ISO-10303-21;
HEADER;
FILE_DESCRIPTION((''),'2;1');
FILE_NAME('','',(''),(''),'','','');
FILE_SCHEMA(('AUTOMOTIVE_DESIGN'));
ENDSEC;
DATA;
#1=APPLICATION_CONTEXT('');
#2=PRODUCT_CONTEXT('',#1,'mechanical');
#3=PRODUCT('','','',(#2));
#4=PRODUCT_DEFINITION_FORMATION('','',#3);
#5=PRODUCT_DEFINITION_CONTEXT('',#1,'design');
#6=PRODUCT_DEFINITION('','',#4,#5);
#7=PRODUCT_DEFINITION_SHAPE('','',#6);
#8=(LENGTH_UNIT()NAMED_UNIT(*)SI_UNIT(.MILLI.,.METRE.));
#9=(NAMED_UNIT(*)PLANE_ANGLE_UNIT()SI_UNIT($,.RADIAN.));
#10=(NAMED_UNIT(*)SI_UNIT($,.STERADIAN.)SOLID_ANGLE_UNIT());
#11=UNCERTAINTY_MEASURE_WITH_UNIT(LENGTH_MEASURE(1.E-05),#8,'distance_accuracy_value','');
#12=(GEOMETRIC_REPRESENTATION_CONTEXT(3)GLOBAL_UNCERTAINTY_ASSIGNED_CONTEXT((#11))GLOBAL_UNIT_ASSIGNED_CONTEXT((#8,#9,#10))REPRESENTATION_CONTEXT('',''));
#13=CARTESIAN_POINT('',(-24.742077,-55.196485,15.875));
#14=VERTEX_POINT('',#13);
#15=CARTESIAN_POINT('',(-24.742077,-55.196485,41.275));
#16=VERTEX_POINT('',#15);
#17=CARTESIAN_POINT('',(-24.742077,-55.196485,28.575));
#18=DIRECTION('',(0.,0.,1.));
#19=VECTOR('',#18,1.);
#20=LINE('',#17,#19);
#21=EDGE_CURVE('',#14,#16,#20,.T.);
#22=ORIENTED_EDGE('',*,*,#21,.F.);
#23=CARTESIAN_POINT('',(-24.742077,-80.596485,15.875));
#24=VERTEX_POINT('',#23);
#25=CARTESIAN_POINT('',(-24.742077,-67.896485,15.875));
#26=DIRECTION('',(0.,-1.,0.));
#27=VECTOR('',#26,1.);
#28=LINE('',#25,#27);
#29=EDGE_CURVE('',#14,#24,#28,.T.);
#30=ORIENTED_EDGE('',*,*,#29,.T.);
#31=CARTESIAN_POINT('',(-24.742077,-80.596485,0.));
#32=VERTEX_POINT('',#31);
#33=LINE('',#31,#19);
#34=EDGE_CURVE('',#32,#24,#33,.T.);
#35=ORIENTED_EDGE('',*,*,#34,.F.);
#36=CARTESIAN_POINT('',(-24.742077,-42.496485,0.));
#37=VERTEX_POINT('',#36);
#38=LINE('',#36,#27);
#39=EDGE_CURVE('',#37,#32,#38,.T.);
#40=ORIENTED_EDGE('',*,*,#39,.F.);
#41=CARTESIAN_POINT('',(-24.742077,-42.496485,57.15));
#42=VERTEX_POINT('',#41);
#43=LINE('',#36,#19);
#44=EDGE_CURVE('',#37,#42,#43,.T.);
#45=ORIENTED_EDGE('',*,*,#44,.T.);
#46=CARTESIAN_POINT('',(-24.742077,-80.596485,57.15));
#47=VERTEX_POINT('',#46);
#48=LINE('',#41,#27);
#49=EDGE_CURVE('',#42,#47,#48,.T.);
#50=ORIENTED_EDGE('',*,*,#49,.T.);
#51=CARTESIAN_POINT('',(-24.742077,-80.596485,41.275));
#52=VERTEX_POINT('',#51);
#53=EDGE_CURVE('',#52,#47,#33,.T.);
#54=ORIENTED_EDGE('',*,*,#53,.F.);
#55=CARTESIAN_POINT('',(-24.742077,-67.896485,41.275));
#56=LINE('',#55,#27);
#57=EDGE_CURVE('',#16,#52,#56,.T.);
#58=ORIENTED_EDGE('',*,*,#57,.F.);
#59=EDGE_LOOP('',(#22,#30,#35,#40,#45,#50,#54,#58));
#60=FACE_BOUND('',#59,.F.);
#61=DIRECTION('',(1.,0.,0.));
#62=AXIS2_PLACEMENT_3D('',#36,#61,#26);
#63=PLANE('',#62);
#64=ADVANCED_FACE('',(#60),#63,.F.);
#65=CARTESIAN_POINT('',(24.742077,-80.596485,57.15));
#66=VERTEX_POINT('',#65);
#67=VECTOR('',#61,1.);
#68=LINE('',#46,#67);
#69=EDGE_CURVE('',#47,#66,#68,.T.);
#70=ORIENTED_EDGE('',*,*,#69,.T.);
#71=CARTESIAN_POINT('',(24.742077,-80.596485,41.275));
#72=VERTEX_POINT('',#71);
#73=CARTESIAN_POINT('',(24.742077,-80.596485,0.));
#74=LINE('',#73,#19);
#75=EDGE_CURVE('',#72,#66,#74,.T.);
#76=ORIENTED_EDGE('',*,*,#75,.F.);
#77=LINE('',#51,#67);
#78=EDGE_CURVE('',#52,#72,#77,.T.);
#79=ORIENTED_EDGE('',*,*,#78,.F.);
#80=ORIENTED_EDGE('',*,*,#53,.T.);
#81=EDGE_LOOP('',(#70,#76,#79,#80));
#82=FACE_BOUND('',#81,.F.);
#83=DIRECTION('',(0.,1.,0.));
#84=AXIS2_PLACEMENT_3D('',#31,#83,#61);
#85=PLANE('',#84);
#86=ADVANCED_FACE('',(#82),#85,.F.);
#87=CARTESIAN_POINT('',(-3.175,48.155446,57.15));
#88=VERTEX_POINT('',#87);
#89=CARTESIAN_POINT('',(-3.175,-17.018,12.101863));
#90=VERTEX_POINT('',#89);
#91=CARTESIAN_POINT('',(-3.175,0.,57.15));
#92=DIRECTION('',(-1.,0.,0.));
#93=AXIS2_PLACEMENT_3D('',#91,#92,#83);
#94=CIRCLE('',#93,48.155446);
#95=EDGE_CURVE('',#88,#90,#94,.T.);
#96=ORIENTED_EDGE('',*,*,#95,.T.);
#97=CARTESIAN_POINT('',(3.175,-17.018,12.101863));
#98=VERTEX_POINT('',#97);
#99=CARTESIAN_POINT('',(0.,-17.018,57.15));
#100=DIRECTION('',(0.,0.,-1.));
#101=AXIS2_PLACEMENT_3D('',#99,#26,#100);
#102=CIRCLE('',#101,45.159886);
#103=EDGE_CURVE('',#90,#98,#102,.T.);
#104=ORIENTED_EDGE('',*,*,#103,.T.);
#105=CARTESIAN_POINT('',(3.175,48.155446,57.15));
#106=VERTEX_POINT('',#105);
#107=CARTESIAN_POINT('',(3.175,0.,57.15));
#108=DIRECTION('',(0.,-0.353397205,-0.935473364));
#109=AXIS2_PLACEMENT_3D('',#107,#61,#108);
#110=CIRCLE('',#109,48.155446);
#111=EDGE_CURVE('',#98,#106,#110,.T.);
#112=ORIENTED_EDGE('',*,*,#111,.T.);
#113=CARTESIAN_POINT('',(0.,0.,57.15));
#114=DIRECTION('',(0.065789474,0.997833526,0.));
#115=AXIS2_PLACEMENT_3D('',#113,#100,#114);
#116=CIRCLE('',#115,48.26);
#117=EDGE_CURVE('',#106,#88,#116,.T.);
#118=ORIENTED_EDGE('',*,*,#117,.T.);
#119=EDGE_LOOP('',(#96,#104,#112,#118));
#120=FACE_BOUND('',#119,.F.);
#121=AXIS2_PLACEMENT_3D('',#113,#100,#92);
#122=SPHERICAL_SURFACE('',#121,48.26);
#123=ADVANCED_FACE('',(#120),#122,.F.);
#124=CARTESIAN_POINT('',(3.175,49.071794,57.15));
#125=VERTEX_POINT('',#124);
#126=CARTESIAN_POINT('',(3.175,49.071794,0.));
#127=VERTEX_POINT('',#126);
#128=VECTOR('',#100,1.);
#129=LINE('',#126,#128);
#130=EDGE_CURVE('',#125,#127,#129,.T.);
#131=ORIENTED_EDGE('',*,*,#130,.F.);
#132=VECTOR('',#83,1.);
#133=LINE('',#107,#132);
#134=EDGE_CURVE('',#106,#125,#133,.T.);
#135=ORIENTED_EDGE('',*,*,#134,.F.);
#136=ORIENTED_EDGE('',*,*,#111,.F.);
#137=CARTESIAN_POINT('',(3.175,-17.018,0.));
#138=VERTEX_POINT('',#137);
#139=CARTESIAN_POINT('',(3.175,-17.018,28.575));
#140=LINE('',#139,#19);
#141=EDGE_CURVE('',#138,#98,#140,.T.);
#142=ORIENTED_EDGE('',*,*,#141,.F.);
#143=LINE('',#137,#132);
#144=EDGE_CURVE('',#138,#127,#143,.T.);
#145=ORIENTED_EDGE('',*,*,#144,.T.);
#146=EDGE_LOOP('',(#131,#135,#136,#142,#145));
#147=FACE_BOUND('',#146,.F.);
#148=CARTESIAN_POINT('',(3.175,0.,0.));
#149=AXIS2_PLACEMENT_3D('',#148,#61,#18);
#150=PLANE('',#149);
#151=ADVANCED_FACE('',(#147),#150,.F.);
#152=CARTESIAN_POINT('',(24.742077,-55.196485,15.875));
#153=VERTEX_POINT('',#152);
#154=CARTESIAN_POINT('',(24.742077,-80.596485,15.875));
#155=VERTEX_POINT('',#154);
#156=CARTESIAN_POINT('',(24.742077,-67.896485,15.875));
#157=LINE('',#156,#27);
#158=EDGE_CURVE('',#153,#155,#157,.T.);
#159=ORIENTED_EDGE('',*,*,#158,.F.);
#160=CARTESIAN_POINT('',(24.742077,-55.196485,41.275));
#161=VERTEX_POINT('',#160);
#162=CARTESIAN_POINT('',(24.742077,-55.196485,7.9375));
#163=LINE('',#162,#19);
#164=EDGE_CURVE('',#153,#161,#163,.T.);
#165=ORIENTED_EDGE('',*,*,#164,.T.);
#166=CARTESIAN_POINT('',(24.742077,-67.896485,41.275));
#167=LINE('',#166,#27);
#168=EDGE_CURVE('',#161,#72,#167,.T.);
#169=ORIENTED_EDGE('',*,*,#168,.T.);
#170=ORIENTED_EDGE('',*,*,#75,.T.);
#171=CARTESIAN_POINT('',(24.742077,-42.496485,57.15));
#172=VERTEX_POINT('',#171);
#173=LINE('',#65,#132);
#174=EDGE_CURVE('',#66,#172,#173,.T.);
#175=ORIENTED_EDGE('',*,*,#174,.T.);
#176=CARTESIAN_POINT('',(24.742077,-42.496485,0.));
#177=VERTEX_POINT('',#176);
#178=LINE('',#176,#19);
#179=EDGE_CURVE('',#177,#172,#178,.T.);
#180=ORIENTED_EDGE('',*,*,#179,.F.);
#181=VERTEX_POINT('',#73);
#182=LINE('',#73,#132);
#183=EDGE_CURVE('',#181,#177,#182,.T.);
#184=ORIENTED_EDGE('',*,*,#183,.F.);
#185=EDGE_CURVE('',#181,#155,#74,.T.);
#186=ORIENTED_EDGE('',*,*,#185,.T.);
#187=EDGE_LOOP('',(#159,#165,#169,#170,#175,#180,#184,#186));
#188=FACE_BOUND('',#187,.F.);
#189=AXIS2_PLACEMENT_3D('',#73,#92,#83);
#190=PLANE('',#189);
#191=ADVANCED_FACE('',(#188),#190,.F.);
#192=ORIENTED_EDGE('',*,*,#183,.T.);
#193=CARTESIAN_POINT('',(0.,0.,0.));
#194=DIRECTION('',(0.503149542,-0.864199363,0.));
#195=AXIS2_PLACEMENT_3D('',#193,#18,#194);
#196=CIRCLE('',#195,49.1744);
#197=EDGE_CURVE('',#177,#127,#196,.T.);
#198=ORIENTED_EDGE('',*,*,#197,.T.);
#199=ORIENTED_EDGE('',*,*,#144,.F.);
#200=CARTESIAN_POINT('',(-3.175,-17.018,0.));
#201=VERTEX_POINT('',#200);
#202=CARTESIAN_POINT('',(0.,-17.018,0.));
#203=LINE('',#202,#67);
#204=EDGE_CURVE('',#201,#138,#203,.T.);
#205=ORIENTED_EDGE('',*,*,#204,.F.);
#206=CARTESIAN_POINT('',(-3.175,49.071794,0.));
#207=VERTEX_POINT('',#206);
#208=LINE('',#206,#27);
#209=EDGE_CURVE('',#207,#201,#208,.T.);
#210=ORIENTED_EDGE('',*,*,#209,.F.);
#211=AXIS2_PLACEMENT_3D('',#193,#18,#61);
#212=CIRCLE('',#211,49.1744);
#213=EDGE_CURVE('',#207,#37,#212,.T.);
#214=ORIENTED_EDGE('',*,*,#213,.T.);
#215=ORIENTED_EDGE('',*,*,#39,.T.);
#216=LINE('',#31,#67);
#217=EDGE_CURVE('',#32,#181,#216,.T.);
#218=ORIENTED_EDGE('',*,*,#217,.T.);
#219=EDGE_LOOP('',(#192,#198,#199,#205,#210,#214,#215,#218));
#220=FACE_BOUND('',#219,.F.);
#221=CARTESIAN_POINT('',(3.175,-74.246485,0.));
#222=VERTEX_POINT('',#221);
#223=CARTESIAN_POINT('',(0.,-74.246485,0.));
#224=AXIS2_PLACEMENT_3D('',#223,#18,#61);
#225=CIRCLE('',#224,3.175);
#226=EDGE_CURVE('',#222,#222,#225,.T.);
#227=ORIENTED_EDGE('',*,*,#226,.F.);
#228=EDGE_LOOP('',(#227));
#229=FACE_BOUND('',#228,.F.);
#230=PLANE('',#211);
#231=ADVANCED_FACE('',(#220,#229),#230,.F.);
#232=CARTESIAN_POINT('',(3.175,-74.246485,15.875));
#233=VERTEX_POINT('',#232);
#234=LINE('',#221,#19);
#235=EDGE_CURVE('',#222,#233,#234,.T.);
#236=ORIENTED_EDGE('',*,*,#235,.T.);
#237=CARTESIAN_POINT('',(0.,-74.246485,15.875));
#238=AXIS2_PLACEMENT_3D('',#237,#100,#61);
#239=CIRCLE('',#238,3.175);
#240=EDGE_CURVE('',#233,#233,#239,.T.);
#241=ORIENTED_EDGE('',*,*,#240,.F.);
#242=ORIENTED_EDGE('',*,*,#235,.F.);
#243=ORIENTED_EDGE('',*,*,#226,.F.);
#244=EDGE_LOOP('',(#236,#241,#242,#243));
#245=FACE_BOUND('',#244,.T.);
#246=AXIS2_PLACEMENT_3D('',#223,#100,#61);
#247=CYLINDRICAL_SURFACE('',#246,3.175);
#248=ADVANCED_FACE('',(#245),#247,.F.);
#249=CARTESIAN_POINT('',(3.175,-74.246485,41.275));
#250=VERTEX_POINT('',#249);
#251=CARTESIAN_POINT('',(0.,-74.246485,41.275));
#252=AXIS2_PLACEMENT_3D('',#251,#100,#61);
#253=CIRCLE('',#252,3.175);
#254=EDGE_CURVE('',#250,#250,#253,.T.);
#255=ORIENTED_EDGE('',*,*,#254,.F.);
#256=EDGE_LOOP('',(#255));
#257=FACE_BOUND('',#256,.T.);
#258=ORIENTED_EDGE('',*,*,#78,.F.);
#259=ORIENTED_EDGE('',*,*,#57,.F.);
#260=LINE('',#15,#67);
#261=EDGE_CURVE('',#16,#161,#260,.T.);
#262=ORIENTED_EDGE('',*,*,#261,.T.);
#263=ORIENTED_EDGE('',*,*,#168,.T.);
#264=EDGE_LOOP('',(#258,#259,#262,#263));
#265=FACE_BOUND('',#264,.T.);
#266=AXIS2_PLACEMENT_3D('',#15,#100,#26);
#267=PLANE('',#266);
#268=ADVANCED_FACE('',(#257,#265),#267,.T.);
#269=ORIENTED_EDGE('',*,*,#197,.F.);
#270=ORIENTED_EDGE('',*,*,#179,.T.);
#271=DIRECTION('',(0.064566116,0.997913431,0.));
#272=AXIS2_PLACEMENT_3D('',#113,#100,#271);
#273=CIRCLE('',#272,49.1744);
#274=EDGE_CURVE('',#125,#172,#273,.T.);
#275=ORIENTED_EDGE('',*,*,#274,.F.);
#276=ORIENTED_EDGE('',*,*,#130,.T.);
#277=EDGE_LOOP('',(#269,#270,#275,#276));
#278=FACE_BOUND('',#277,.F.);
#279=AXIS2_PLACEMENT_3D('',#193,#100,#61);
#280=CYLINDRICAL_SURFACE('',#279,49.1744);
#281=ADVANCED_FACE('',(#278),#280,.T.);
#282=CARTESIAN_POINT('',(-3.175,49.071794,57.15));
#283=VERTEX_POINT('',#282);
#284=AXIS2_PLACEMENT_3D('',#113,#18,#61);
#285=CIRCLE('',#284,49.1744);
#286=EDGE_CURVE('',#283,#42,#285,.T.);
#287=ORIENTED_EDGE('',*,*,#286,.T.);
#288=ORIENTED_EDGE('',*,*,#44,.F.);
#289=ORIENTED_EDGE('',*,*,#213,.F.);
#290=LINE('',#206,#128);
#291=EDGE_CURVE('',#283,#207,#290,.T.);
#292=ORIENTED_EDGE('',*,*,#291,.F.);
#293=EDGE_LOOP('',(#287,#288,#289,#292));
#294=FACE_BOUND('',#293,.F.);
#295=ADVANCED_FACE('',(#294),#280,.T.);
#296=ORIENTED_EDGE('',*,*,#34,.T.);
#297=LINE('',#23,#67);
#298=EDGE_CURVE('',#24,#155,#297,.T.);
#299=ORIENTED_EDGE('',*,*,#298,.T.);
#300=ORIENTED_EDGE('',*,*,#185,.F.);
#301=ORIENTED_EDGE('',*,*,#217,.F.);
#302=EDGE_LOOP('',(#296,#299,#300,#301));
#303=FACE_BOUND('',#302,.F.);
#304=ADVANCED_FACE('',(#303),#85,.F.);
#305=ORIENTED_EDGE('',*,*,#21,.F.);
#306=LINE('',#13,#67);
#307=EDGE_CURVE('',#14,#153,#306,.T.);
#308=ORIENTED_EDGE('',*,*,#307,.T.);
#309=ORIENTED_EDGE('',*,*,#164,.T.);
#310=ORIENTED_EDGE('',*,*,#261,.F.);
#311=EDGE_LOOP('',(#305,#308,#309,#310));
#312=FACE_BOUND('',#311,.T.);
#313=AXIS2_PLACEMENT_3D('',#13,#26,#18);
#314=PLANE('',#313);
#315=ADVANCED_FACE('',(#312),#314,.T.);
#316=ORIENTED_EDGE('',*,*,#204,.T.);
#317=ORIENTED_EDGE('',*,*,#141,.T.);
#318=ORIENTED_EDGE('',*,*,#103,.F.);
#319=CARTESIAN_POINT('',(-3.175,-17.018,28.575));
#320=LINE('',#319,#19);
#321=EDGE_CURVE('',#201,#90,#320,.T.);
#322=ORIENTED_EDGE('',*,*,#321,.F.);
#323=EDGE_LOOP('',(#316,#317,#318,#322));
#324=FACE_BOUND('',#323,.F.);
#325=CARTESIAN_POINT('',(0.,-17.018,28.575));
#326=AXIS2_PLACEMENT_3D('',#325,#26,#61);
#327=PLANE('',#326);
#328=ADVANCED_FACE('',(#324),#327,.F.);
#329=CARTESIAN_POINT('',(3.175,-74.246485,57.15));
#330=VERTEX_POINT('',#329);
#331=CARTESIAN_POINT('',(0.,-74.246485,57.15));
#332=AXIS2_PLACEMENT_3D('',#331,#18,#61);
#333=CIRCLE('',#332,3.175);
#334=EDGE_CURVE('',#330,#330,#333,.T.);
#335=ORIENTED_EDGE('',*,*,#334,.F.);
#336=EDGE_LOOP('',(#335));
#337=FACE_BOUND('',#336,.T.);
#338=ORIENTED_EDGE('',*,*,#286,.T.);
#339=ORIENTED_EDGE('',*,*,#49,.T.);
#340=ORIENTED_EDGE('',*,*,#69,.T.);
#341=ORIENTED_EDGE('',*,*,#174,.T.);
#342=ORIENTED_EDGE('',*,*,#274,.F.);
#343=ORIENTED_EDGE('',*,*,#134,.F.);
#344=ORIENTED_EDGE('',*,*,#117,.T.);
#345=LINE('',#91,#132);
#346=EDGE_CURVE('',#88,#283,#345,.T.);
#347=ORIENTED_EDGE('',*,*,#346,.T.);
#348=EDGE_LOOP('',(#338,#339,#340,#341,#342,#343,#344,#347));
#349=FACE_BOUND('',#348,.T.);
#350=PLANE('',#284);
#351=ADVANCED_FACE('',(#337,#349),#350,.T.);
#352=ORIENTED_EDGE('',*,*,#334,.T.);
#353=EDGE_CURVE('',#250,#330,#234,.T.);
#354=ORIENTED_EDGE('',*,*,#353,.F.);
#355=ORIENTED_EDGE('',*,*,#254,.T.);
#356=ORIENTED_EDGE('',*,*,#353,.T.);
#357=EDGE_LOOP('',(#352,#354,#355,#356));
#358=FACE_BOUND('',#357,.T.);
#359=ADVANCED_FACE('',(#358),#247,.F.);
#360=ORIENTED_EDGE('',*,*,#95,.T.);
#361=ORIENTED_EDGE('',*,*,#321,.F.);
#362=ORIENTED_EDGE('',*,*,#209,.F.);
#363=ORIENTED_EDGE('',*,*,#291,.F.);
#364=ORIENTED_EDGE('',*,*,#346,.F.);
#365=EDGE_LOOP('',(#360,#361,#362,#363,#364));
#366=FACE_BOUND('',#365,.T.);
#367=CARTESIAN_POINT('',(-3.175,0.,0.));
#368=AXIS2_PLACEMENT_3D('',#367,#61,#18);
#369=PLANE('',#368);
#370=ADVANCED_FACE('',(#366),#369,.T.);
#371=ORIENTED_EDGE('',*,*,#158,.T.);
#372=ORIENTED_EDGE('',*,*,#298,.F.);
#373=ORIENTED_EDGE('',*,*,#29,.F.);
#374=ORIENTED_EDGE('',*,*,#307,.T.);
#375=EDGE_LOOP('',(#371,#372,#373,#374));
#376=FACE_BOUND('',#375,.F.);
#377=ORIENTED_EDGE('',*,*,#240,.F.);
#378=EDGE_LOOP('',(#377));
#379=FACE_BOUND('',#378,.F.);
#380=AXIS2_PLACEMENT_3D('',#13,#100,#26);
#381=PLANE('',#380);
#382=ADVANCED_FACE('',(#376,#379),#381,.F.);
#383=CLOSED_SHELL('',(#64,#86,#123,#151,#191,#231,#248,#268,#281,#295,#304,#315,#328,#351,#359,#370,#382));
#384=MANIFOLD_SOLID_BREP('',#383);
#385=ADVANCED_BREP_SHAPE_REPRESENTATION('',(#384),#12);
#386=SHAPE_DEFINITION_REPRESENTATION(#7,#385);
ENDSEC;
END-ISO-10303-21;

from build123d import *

# Parameters (mm, degrees)
F0_R          = 49.1744
F1_DEPTH      = 57.15
F4_W          = 6.35
F4_H          = 57.15
F5_DEPTH      = 127
F5_DEPTH_BACK = 17.018
F6_R          = 3.175
F7_DEPTH      = 57.15
F8_W          = 25.4
F8_H          = 25.4
F9_DEPTH      = 50.8


with BuildPart() as f1:
    # F0 (on Top) → F1 (new body)
    with BuildSketch(Plane.XY):
        Circle(F0_R)
    extrude(amount=F1_DEPTH)

    # F2 (on Front) → F3 (revolve, cut)
    with BuildSketch(Plane.XZ):
        with BuildLine():
            Line((0, 57.15), (-48.26, 57.15))
            ThreePointArc((-48.26, 57.15), (-34.1249732601, 23.0250267399), (0, 8.89))
            Line((0, 8.89), (0, 57.15))
        make_face()
    revolve(axis=Axis((0, 0, 33.02), (0, 0, -1)), mode=Mode.SUBTRACT)

    # F4 (on Front) → F5 (cut, two sides)
    with BuildSketch(Plane.XZ) as f5_sk:
        with Locations((0, 28.575)):
            Rectangle(F4_W, F4_H)
    extrude(amount=-F5_DEPTH, mode=Mode.SUBTRACT)
    extrude(f5_sk.sketch, amount=F5_DEPTH_BACK, mode=Mode.SUBTRACT)

    # F6 (on Top) → F7 (join)
    with BuildSketch(Plane.XY):
        with BuildLine():
            ThreePointArc((24.742076835, -42.4964851399), (0, -49.1744), (-24.742076835, -42.4964851399))
            Line((-24.742076835, -42.4964851399), (-24.742076835, -80.5964851399))
            Line((-24.742076835, -80.5964851399), (24.742076835, -80.5964851399))
            Line((24.742076835, -80.5964851399), (24.742076835, -42.4964851399))
        make_face()
        with Locations((0, -74.2464851399)):
            Circle(F6_R, mode=Mode.SUBTRACT)
    extrude(amount=F7_DEPTH)

    # F8 (on face) → F9 (cut)
    with BuildSketch(Plane(origin=(-24.742076835, 0, 0), x_dir=(0, -1, 0), z_dir=(-1, 0, 0))):
        with Locations((67.8964851399, 28.575)):
            Rectangle(F8_W, F8_H)
    extrude(amount=-F9_DEPTH, mode=Mode.SUBTRACT)


solid = f1.part
